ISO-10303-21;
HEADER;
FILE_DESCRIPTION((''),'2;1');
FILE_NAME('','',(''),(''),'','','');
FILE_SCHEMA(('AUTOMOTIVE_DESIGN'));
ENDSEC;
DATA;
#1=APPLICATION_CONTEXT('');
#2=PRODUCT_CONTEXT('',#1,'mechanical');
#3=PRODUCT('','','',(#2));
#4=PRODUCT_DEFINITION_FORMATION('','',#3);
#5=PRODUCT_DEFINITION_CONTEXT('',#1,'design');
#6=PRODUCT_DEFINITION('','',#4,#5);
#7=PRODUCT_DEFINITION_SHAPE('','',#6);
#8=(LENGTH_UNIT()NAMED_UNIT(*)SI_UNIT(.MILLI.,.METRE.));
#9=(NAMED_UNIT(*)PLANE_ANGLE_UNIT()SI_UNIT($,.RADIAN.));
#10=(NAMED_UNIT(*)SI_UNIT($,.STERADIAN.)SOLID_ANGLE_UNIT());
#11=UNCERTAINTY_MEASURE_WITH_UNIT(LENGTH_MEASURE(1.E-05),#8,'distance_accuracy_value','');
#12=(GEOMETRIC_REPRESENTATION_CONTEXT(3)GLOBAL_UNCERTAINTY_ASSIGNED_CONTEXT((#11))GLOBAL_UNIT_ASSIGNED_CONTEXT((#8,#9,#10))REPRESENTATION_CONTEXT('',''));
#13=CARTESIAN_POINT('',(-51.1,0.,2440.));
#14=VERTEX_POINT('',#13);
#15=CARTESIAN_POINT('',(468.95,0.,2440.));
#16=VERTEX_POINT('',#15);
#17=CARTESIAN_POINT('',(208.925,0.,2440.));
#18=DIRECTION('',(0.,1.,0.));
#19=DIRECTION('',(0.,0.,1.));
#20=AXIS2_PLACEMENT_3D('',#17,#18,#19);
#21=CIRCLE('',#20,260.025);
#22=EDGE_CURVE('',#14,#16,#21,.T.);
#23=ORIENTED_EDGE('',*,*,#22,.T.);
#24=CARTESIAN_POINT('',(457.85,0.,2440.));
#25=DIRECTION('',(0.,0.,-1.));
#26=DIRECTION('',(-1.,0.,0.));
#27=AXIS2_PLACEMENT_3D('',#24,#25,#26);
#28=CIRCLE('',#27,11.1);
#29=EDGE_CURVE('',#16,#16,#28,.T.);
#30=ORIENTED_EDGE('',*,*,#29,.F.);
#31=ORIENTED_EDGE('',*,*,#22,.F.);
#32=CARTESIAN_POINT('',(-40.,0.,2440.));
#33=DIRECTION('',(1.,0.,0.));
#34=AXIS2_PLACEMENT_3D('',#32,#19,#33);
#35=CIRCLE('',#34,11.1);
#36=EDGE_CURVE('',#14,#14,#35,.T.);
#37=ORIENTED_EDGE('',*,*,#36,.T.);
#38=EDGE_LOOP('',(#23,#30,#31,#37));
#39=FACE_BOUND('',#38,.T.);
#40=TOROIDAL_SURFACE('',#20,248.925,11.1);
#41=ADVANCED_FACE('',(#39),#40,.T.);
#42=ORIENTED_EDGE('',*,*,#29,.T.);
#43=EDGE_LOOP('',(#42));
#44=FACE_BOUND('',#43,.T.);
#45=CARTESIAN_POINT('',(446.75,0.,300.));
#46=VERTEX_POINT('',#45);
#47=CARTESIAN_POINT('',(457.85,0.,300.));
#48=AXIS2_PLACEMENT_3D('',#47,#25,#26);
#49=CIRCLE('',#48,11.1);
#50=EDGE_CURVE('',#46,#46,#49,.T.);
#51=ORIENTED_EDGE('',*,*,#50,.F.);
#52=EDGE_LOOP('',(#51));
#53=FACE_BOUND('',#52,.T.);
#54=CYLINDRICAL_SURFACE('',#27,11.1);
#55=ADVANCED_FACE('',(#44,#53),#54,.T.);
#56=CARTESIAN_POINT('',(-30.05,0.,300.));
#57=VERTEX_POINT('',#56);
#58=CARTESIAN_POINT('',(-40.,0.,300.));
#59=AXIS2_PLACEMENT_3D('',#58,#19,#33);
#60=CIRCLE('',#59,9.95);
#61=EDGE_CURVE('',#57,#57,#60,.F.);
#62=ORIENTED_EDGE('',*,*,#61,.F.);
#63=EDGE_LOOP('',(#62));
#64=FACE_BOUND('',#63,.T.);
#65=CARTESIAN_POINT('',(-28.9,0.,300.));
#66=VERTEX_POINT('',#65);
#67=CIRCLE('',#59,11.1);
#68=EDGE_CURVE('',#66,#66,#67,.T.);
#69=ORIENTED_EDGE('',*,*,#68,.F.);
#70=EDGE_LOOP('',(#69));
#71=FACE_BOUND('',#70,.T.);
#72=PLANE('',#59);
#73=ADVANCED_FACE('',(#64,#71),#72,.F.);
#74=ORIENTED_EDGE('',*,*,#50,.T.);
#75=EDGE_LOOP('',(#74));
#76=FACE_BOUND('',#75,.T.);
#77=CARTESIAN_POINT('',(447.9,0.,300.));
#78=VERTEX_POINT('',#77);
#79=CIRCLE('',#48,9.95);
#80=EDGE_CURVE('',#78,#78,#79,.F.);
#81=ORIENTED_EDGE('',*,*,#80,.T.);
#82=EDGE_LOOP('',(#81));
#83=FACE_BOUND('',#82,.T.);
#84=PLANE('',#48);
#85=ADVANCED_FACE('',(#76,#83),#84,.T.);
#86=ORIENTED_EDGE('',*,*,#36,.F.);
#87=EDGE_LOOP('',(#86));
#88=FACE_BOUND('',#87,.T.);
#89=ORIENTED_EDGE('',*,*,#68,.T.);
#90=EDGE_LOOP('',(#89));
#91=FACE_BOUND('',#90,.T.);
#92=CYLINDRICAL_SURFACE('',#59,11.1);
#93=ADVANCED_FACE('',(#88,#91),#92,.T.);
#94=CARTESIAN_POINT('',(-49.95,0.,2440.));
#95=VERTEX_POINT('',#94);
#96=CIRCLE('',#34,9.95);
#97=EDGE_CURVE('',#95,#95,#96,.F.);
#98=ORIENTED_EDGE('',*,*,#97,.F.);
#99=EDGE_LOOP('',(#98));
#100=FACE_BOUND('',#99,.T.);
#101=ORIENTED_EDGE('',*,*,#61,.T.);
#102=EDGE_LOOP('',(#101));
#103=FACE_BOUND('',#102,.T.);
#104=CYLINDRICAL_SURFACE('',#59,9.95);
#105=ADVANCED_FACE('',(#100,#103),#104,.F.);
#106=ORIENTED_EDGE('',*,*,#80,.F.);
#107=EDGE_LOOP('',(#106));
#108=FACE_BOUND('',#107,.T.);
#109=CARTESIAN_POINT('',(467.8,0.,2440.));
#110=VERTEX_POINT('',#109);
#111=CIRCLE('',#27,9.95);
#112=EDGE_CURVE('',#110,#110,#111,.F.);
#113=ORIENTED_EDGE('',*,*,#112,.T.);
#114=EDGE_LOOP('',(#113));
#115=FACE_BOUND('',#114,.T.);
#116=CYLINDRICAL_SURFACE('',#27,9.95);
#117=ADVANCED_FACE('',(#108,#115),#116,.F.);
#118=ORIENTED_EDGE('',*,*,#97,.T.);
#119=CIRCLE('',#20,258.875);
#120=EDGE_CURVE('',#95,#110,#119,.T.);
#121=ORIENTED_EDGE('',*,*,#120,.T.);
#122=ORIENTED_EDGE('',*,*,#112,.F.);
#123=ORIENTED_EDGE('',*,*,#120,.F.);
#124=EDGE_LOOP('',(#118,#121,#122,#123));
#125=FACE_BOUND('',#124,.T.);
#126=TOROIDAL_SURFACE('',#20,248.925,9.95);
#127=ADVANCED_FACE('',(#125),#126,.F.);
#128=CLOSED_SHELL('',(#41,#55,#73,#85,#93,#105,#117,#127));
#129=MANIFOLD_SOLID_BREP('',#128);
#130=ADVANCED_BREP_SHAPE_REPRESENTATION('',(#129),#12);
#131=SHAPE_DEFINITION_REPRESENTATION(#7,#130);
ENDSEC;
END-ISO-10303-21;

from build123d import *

# Parameters (mm, degrees)
SKETCH2_R   = 11.1
SKETCH2_R_2 = 9.95


with BuildPart() as part:
    # Sweep1: sweep along a path in Sketch1
    with BuildLine(Plane(origin=(0, 0, 0), x_dir=(1, 0, 0), z_dir=(0, 1, 0))) as sweep1_path:
        Line((457.85, -300), (457.85, -2440))
        ThreePointArc((457.85, -2440), (208.925, -2688.925), (-40, -2440))
        Line((-40, -2440), (-40, -300))
    # Sketch2 → Sweep1 (sweep)
    with BuildSketch(Plane(origin=(457.85, 0, 300), x_dir=(-1, 0, 0), z_dir=(0, 0, -1))):
        Circle(SKETCH2_R)
        Circle(SKETCH2_R_2, mode=Mode.SUBTRACT)
    sweep(path=sweep1_path.line)


solid = part.part
